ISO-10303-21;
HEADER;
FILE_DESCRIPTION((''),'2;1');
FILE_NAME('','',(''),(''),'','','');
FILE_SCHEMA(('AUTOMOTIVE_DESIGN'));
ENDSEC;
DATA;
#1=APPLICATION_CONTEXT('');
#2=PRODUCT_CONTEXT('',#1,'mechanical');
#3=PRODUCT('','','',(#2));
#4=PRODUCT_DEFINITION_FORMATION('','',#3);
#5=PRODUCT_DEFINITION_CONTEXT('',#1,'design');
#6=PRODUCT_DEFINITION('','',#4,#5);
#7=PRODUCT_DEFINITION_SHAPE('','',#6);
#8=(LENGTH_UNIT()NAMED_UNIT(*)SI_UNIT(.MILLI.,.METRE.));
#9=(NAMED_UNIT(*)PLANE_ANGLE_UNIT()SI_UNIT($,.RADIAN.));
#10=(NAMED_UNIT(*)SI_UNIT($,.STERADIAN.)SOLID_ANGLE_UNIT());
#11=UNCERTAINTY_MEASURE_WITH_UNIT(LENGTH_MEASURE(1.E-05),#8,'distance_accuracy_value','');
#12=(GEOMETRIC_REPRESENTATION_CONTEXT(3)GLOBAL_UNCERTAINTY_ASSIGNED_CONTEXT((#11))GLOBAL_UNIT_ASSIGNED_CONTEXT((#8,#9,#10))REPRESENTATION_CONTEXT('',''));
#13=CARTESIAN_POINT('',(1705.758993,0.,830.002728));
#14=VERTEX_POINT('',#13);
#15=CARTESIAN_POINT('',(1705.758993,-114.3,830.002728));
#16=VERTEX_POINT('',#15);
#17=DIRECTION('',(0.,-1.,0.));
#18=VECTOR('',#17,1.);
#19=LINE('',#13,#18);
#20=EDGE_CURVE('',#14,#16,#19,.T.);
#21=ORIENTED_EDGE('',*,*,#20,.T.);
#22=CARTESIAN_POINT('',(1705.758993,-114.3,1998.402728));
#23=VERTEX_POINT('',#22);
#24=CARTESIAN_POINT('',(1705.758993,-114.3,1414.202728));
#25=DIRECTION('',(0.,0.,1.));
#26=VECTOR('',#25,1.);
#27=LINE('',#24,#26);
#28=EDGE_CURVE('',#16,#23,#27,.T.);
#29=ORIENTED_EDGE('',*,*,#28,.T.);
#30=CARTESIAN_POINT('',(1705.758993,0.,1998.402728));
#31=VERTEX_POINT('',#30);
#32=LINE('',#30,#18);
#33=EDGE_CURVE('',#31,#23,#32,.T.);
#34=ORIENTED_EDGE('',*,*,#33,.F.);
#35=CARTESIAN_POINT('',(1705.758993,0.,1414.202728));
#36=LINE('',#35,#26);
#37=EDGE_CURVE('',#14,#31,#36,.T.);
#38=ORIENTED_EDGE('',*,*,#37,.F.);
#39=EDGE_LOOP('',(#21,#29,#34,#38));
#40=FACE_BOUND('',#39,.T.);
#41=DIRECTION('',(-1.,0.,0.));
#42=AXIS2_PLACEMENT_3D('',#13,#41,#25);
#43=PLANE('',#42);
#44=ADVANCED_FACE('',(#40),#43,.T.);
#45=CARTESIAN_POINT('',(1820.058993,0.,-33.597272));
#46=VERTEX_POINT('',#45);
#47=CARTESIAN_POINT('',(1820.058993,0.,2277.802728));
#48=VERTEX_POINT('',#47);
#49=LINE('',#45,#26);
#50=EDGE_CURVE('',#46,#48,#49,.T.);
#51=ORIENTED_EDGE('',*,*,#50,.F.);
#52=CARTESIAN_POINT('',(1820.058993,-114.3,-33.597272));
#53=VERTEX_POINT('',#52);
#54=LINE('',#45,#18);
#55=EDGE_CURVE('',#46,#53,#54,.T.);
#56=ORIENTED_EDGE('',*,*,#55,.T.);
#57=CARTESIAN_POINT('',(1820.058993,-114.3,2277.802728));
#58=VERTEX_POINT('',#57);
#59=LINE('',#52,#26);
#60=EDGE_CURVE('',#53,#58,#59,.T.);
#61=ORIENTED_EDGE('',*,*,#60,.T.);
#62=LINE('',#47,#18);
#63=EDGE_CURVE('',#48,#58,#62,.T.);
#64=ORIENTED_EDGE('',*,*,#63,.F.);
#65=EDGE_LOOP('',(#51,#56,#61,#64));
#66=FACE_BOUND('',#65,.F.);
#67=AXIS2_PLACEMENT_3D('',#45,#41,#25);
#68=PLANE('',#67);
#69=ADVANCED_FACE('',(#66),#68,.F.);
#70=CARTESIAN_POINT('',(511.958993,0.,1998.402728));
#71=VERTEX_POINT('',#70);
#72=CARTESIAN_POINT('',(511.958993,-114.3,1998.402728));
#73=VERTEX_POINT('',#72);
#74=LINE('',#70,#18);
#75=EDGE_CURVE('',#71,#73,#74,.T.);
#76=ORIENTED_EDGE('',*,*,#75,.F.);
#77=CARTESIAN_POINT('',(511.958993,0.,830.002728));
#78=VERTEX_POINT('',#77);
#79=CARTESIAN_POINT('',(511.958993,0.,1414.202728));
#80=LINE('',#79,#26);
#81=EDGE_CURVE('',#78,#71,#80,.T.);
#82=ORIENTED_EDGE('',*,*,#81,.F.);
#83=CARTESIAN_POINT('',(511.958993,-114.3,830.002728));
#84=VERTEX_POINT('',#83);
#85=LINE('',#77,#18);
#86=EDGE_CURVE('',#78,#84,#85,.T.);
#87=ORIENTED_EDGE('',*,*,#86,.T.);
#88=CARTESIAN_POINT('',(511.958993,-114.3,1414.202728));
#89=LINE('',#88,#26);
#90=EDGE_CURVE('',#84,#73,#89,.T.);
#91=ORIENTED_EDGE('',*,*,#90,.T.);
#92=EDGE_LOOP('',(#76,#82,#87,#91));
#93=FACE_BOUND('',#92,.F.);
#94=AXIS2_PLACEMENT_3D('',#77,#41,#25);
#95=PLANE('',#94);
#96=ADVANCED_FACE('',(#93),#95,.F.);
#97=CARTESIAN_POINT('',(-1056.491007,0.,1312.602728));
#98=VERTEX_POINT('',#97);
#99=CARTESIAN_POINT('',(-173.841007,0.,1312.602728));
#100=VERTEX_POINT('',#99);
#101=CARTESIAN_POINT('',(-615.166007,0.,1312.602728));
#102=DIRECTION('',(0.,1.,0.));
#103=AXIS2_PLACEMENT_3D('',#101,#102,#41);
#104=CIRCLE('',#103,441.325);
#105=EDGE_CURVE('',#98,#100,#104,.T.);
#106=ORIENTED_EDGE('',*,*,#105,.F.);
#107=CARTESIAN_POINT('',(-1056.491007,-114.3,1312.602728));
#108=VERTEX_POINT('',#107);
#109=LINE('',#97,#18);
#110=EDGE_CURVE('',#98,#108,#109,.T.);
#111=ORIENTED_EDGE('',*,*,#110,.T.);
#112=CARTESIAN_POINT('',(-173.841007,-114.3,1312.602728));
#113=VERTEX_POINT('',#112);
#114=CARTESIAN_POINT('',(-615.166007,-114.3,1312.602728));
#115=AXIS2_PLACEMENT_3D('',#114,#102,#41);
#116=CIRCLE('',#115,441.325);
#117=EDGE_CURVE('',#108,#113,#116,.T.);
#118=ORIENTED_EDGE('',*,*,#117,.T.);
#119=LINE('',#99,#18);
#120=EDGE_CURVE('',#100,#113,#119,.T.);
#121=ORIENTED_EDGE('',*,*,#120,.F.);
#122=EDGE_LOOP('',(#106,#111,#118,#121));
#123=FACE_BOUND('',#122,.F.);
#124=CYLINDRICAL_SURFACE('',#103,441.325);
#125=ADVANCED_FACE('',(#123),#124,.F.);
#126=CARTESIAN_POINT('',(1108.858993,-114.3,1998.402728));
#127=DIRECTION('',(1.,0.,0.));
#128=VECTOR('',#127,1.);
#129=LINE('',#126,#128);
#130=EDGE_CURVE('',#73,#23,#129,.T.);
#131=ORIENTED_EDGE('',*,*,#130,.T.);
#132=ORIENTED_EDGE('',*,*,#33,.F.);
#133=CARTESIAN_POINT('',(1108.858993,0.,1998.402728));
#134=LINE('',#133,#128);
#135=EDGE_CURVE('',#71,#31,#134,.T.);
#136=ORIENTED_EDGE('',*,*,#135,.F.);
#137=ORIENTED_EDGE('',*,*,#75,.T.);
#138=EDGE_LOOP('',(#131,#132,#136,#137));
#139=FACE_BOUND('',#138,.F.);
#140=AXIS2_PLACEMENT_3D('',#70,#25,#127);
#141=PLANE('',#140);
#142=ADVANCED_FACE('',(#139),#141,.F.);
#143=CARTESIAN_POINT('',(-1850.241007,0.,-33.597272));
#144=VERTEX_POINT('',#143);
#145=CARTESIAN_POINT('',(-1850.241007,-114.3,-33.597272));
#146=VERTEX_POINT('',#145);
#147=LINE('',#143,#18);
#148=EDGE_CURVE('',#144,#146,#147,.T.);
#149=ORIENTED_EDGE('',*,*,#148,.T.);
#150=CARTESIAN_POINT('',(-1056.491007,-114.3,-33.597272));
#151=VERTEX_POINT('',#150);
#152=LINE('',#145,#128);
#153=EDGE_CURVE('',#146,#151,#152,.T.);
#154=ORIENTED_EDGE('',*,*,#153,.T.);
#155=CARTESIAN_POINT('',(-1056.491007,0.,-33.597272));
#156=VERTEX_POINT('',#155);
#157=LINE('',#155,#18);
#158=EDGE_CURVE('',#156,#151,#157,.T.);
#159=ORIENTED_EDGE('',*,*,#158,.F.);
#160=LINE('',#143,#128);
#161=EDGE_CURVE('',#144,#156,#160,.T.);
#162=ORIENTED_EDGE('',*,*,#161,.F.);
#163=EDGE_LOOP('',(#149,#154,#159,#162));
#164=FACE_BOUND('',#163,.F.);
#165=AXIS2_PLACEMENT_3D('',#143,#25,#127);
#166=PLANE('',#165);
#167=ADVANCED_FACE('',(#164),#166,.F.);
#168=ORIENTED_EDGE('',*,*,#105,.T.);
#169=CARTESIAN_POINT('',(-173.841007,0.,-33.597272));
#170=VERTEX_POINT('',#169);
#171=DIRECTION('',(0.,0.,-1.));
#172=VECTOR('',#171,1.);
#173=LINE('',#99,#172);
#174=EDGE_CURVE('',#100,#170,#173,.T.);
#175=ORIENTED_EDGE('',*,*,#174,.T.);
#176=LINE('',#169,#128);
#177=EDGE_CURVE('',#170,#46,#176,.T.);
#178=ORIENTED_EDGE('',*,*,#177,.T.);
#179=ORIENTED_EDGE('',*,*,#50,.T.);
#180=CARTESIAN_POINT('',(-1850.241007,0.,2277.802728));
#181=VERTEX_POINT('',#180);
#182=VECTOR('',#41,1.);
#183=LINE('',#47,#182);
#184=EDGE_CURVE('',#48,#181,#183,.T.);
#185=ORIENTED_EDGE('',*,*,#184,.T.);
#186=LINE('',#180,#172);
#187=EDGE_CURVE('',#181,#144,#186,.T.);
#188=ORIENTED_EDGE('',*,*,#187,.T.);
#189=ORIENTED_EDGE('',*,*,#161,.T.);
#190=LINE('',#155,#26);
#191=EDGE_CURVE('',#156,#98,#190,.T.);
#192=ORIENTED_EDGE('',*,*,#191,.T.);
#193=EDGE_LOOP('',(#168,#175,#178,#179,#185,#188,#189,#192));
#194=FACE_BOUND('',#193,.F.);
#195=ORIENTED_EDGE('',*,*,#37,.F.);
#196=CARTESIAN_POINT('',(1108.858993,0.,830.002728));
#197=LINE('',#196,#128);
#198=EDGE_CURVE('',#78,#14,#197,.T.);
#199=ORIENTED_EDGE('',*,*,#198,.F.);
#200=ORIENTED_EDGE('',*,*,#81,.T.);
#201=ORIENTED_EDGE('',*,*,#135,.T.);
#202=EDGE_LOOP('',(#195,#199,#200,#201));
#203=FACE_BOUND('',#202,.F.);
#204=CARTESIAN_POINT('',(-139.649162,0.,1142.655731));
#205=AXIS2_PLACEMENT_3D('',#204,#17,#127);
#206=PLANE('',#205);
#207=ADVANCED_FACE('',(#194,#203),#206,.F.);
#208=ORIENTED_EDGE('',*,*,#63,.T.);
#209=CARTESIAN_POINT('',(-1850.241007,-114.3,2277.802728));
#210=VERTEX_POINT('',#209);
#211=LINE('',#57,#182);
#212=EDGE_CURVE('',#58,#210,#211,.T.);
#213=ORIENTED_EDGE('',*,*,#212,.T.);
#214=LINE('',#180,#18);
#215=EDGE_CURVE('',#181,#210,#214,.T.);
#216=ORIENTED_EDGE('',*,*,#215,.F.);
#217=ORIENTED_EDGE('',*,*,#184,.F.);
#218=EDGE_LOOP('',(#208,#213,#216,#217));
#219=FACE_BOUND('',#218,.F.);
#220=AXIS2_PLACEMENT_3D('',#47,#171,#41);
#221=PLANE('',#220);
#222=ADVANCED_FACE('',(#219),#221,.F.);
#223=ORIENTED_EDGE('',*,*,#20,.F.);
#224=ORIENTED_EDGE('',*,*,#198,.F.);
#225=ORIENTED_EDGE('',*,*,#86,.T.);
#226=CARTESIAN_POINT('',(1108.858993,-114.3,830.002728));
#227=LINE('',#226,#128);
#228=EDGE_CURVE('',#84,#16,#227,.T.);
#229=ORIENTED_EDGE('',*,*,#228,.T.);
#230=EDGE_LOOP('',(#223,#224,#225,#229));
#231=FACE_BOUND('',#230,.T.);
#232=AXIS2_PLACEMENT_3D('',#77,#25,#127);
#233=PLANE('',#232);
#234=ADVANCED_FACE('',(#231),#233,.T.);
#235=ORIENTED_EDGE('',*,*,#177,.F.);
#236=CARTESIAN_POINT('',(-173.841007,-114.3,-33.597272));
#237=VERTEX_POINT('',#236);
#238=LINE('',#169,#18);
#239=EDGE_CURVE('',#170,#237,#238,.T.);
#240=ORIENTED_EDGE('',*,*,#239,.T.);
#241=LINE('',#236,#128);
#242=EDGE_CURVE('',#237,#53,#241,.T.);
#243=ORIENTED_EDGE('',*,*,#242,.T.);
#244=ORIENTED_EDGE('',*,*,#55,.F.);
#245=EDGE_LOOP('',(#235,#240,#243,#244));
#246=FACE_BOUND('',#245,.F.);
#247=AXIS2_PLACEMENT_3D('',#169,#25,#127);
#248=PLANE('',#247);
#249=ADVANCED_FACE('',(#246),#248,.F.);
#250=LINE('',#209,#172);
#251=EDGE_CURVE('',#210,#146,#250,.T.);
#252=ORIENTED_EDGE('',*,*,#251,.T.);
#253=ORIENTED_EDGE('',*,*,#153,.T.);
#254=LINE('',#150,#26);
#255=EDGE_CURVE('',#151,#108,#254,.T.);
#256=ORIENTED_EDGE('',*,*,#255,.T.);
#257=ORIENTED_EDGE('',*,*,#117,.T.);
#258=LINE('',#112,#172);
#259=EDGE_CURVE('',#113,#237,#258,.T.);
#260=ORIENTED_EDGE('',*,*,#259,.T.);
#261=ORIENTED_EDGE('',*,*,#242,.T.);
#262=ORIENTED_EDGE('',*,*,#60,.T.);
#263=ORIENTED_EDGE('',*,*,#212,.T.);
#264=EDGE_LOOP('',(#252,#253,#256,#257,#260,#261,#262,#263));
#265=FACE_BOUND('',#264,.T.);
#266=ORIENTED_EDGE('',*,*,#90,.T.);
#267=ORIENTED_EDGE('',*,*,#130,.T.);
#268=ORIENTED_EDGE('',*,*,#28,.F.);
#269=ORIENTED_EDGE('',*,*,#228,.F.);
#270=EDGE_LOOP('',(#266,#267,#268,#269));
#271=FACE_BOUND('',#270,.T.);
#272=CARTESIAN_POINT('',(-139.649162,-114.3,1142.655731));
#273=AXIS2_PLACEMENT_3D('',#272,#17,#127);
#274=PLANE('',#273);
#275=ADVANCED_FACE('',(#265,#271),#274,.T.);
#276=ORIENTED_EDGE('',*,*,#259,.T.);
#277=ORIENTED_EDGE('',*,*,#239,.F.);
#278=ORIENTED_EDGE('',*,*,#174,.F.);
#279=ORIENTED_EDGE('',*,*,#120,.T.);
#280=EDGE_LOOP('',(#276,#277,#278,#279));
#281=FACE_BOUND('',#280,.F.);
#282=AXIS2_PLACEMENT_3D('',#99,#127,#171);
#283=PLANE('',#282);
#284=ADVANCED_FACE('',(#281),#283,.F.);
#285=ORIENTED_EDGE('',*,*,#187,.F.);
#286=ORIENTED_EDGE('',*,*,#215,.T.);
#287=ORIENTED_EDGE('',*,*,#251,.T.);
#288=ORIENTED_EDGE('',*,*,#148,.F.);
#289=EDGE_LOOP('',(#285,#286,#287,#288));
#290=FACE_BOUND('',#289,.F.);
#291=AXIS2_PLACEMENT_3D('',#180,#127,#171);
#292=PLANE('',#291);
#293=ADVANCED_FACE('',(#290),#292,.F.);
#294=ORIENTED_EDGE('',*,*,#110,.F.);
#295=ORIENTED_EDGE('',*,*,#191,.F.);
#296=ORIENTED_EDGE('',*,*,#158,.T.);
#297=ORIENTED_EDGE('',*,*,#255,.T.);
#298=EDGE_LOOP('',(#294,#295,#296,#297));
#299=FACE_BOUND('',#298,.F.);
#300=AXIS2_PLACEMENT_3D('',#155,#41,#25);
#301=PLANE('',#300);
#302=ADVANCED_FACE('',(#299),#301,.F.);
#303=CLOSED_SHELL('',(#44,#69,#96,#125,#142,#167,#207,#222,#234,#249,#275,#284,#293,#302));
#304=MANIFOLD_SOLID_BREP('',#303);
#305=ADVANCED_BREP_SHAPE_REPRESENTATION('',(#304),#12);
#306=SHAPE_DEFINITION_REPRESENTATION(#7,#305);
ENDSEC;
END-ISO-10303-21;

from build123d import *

# Parameters (mm, degrees)
F0_W     = 1193.8
F0_H     = 1168.4
F1_DEPTH = 114.3


with BuildPart() as f1:
    # F0 (on Front) → F1 (new body)
    with BuildSketch(Plane.XZ):
        with BuildLine():
            Line((1820.058993, 2277.802728), (-1850.241007, 2277.802728))
            Line((-1850.241007, 2277.802728), (-1850.241007, -33.597272))
            Line((-1850.241007, -33.597272), (-1056.491007, -33.597272))
            Line((-1056.491007, -33.597272), (-1056.491007, 1312.602728))
            ThreePointArc((-1056.491007, 1312.602728), (-615.166007, 1753.927728), (-173.841007, 1312.602728))
            Line((-173.841007, 1312.602728), (-173.841007, -33.597272))
            Line((-173.841007, -33.597272), (1820.058993, -33.597272))
            Line((1820.058993, -33.597272), (1820.058993, 2277.802728))
        make_face()
        with Locations((1108.858993, 1414.202728)):
            Rectangle(F0_W, F0_H, mode=Mode.SUBTRACT)
    extrude(amount=F1_DEPTH)


solid = f1.part
